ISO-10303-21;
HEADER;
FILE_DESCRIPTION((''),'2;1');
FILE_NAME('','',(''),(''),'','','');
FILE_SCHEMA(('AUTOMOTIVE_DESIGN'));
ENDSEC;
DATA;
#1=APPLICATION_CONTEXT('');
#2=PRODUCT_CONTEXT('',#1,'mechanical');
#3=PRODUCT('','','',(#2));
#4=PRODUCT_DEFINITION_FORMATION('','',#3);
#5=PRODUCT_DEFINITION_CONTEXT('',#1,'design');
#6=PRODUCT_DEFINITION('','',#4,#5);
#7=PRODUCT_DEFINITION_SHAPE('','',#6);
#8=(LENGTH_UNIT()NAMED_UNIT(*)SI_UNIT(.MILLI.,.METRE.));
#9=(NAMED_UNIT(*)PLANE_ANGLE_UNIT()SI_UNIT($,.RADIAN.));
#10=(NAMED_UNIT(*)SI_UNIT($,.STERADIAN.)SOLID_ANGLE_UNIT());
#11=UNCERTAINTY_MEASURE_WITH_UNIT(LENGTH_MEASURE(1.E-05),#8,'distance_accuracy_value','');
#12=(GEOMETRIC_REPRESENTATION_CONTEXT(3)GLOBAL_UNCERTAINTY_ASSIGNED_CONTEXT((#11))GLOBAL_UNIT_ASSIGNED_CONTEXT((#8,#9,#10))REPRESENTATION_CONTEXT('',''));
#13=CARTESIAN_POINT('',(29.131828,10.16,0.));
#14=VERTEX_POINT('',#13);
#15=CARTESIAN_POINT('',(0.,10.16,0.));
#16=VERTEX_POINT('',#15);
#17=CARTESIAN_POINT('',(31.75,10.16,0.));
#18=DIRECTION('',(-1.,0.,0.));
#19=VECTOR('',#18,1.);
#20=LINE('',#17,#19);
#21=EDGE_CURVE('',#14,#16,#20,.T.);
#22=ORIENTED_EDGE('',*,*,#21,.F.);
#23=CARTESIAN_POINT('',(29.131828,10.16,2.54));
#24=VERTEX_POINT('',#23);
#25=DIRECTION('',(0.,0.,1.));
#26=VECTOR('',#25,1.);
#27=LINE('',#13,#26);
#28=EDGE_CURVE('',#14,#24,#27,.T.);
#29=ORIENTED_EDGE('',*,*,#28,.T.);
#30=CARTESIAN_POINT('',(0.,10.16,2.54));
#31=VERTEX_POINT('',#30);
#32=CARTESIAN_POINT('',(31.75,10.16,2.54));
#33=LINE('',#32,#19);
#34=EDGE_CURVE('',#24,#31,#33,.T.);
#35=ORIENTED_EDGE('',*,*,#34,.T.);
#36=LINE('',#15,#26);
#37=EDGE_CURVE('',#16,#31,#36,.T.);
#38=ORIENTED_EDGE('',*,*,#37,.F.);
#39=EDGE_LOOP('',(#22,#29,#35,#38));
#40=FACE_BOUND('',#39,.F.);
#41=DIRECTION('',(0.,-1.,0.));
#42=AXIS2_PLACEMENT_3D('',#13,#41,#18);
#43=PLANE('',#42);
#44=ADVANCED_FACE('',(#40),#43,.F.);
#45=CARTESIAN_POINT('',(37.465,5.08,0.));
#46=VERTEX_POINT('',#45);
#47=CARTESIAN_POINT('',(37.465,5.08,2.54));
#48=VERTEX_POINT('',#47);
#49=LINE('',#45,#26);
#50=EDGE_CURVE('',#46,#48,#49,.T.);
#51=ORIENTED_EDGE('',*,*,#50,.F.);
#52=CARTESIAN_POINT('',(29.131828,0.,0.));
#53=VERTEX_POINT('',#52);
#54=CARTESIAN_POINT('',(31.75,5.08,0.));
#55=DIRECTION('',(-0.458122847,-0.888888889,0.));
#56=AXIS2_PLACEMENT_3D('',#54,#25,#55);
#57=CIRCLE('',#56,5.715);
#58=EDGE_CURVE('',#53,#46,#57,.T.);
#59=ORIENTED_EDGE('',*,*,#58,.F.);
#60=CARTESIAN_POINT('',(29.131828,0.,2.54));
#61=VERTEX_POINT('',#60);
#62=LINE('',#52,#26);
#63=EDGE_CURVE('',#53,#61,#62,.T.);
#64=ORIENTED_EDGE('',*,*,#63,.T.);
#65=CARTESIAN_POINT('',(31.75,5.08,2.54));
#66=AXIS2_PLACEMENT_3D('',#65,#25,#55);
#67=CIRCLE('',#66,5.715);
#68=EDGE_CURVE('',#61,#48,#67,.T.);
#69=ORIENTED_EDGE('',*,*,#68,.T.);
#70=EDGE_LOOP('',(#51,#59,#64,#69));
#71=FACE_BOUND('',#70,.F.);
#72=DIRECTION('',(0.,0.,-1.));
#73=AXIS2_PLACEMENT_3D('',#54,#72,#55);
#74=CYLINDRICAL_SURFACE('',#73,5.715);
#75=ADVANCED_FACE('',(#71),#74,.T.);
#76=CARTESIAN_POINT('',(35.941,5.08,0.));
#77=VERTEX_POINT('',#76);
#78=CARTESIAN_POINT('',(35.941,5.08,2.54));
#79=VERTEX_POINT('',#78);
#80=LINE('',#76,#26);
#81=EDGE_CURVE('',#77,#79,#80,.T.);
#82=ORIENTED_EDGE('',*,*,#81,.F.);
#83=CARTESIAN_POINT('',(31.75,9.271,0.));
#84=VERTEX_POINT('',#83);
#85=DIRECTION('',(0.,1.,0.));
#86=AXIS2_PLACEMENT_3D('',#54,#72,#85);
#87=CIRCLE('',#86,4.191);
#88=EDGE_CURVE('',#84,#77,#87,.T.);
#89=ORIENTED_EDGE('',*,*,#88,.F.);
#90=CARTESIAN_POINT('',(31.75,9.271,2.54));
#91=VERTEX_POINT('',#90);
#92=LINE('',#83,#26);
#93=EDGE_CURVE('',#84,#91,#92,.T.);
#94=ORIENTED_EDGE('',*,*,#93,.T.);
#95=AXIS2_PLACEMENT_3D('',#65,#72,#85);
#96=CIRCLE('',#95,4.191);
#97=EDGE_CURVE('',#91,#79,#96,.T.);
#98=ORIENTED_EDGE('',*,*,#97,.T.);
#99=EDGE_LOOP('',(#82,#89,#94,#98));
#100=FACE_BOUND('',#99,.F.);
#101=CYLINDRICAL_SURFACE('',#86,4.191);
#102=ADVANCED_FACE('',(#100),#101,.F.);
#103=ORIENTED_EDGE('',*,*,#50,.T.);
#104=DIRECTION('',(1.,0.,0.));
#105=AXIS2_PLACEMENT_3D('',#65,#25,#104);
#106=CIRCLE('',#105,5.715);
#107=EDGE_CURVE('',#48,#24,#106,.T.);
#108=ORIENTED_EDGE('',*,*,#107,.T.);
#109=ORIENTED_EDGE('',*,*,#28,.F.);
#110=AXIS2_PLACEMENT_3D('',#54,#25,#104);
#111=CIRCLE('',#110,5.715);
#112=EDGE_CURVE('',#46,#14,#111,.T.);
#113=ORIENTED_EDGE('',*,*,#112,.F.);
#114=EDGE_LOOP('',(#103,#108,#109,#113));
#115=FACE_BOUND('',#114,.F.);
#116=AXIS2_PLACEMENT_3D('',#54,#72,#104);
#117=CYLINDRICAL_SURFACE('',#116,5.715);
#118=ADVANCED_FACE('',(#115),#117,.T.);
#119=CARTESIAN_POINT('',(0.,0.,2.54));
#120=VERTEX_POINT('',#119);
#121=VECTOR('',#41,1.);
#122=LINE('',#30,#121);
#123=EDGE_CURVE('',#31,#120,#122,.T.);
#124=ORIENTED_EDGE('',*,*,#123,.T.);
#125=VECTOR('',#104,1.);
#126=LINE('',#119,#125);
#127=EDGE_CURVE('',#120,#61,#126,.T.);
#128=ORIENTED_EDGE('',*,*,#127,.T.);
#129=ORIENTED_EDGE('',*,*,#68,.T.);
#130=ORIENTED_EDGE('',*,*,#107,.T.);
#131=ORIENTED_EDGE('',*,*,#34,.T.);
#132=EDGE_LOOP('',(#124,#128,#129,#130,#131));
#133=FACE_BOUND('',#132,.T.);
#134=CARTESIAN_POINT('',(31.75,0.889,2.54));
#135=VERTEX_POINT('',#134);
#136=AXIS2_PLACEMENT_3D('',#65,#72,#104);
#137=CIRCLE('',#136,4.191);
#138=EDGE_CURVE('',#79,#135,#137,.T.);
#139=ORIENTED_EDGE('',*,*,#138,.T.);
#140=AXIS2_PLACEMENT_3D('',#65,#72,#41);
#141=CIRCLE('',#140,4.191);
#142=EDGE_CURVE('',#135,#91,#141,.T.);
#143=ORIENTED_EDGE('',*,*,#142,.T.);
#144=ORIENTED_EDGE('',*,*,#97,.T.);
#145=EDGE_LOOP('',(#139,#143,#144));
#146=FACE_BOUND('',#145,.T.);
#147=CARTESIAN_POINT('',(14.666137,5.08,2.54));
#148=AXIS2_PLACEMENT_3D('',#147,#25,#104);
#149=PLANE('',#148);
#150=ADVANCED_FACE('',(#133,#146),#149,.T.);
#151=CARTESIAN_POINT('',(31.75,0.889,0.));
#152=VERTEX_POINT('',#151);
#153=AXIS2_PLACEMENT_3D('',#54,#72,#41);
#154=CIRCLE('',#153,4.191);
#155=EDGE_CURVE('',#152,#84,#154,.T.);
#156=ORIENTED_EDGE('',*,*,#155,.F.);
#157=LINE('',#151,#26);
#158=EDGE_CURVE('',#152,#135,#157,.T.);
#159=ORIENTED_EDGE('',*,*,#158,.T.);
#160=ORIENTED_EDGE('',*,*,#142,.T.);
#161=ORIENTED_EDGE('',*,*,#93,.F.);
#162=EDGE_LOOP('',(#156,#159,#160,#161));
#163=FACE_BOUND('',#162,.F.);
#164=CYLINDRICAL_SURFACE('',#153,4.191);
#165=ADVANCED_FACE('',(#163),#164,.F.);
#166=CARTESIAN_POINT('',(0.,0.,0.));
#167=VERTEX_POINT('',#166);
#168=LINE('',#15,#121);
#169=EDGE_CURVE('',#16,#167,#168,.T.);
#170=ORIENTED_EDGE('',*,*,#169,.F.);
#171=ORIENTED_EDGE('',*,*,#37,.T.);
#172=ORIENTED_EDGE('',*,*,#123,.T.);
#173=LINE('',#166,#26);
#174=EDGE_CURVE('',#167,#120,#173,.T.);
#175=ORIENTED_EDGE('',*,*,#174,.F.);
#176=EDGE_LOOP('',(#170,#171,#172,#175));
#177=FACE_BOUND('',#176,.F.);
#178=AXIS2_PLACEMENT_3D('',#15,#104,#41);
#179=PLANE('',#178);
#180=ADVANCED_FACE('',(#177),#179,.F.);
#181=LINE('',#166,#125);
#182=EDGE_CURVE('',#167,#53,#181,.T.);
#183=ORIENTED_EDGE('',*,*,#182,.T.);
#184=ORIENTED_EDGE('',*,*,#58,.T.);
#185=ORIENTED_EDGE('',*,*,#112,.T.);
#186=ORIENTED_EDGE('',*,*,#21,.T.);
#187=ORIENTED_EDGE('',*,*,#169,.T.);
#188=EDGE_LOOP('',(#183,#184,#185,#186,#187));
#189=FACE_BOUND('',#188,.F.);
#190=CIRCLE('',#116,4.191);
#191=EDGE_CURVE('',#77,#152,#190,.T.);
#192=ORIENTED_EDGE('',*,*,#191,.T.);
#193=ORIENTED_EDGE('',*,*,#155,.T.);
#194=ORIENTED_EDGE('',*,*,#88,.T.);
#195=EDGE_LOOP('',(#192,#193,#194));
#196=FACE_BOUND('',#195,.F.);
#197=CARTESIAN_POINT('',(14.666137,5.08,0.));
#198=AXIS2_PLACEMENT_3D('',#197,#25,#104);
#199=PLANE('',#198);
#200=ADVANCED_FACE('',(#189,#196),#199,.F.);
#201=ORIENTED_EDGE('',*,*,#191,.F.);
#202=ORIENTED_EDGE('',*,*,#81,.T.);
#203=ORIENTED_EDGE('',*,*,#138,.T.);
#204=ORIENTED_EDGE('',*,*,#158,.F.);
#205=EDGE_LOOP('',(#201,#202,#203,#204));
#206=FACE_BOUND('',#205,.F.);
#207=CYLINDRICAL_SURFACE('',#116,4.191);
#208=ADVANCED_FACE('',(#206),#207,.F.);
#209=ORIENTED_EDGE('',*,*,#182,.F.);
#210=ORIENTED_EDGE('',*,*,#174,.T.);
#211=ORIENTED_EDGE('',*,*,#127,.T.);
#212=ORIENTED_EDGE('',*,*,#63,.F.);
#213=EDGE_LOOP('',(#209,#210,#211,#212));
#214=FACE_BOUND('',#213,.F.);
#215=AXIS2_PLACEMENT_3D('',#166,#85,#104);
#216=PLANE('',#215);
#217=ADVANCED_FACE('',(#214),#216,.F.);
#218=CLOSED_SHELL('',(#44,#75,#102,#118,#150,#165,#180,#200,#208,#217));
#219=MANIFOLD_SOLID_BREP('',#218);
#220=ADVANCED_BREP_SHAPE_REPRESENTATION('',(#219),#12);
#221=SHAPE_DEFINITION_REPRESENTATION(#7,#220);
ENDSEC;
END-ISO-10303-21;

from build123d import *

# Parameters (mm, degrees)
F1_DEPTH = 2.54


with BuildPart() as f1:
    # F0 (on Top) → F1 (new body)
    with BuildSketch(Plane.XY):
        with BuildLine():
            Line((0, 10.16), (0, 0))
            Line((0, 0), (29.1318279277, 0))
            ThreePointArc((29.1318279277, 0), (26.035, 5.08), (29.1318279277, 10.16))
            Line((29.1318279277, 10.16), (0, 10.16))
        make_face()
        with BuildLine():
            ThreePointArc((29.1318279277, 10.16), (26.035, 5.08), (29.1318279277, 0))
            Line((29.1318279277, 0), (31.75, 0))
            Line((31.75, 0), (31.75, 0.889))
            ThreePointArc((31.75, 0.889), (27.559, 5.08), (31.75, 9.271))
            Line((31.75, 9.271), (31.75, 10.16))
            Line((31.75, 10.16), (29.1318279277, 10.16))
        make_face()
        with BuildLine():
            Line((31.75, 0), (29.1318279277, 0))
            ThreePointArc((29.1318279277, 0), (34.7247581084, 0.2002418916), (37.465, 5.08))
            ThreePointArc((37.465, 5.08), (34.7247581084, 9.9597581084), (29.1318279277, 10.16))
            Line((29.1318279277, 10.16), (31.75, 10.16))
            Line((31.75, 10.16), (31.75, 9.271))
            ThreePointArc((31.75, 9.271), (34.71348452, 8.04348452), (35.941, 5.08))
            ThreePointArc((35.941, 5.08), (34.71348452, 2.11651548), (31.75, 0.889))
            Line((31.75, 0.889), (31.75, 0))
        make_face()
    extrude(amount=F1_DEPTH)


solid = f1.part
